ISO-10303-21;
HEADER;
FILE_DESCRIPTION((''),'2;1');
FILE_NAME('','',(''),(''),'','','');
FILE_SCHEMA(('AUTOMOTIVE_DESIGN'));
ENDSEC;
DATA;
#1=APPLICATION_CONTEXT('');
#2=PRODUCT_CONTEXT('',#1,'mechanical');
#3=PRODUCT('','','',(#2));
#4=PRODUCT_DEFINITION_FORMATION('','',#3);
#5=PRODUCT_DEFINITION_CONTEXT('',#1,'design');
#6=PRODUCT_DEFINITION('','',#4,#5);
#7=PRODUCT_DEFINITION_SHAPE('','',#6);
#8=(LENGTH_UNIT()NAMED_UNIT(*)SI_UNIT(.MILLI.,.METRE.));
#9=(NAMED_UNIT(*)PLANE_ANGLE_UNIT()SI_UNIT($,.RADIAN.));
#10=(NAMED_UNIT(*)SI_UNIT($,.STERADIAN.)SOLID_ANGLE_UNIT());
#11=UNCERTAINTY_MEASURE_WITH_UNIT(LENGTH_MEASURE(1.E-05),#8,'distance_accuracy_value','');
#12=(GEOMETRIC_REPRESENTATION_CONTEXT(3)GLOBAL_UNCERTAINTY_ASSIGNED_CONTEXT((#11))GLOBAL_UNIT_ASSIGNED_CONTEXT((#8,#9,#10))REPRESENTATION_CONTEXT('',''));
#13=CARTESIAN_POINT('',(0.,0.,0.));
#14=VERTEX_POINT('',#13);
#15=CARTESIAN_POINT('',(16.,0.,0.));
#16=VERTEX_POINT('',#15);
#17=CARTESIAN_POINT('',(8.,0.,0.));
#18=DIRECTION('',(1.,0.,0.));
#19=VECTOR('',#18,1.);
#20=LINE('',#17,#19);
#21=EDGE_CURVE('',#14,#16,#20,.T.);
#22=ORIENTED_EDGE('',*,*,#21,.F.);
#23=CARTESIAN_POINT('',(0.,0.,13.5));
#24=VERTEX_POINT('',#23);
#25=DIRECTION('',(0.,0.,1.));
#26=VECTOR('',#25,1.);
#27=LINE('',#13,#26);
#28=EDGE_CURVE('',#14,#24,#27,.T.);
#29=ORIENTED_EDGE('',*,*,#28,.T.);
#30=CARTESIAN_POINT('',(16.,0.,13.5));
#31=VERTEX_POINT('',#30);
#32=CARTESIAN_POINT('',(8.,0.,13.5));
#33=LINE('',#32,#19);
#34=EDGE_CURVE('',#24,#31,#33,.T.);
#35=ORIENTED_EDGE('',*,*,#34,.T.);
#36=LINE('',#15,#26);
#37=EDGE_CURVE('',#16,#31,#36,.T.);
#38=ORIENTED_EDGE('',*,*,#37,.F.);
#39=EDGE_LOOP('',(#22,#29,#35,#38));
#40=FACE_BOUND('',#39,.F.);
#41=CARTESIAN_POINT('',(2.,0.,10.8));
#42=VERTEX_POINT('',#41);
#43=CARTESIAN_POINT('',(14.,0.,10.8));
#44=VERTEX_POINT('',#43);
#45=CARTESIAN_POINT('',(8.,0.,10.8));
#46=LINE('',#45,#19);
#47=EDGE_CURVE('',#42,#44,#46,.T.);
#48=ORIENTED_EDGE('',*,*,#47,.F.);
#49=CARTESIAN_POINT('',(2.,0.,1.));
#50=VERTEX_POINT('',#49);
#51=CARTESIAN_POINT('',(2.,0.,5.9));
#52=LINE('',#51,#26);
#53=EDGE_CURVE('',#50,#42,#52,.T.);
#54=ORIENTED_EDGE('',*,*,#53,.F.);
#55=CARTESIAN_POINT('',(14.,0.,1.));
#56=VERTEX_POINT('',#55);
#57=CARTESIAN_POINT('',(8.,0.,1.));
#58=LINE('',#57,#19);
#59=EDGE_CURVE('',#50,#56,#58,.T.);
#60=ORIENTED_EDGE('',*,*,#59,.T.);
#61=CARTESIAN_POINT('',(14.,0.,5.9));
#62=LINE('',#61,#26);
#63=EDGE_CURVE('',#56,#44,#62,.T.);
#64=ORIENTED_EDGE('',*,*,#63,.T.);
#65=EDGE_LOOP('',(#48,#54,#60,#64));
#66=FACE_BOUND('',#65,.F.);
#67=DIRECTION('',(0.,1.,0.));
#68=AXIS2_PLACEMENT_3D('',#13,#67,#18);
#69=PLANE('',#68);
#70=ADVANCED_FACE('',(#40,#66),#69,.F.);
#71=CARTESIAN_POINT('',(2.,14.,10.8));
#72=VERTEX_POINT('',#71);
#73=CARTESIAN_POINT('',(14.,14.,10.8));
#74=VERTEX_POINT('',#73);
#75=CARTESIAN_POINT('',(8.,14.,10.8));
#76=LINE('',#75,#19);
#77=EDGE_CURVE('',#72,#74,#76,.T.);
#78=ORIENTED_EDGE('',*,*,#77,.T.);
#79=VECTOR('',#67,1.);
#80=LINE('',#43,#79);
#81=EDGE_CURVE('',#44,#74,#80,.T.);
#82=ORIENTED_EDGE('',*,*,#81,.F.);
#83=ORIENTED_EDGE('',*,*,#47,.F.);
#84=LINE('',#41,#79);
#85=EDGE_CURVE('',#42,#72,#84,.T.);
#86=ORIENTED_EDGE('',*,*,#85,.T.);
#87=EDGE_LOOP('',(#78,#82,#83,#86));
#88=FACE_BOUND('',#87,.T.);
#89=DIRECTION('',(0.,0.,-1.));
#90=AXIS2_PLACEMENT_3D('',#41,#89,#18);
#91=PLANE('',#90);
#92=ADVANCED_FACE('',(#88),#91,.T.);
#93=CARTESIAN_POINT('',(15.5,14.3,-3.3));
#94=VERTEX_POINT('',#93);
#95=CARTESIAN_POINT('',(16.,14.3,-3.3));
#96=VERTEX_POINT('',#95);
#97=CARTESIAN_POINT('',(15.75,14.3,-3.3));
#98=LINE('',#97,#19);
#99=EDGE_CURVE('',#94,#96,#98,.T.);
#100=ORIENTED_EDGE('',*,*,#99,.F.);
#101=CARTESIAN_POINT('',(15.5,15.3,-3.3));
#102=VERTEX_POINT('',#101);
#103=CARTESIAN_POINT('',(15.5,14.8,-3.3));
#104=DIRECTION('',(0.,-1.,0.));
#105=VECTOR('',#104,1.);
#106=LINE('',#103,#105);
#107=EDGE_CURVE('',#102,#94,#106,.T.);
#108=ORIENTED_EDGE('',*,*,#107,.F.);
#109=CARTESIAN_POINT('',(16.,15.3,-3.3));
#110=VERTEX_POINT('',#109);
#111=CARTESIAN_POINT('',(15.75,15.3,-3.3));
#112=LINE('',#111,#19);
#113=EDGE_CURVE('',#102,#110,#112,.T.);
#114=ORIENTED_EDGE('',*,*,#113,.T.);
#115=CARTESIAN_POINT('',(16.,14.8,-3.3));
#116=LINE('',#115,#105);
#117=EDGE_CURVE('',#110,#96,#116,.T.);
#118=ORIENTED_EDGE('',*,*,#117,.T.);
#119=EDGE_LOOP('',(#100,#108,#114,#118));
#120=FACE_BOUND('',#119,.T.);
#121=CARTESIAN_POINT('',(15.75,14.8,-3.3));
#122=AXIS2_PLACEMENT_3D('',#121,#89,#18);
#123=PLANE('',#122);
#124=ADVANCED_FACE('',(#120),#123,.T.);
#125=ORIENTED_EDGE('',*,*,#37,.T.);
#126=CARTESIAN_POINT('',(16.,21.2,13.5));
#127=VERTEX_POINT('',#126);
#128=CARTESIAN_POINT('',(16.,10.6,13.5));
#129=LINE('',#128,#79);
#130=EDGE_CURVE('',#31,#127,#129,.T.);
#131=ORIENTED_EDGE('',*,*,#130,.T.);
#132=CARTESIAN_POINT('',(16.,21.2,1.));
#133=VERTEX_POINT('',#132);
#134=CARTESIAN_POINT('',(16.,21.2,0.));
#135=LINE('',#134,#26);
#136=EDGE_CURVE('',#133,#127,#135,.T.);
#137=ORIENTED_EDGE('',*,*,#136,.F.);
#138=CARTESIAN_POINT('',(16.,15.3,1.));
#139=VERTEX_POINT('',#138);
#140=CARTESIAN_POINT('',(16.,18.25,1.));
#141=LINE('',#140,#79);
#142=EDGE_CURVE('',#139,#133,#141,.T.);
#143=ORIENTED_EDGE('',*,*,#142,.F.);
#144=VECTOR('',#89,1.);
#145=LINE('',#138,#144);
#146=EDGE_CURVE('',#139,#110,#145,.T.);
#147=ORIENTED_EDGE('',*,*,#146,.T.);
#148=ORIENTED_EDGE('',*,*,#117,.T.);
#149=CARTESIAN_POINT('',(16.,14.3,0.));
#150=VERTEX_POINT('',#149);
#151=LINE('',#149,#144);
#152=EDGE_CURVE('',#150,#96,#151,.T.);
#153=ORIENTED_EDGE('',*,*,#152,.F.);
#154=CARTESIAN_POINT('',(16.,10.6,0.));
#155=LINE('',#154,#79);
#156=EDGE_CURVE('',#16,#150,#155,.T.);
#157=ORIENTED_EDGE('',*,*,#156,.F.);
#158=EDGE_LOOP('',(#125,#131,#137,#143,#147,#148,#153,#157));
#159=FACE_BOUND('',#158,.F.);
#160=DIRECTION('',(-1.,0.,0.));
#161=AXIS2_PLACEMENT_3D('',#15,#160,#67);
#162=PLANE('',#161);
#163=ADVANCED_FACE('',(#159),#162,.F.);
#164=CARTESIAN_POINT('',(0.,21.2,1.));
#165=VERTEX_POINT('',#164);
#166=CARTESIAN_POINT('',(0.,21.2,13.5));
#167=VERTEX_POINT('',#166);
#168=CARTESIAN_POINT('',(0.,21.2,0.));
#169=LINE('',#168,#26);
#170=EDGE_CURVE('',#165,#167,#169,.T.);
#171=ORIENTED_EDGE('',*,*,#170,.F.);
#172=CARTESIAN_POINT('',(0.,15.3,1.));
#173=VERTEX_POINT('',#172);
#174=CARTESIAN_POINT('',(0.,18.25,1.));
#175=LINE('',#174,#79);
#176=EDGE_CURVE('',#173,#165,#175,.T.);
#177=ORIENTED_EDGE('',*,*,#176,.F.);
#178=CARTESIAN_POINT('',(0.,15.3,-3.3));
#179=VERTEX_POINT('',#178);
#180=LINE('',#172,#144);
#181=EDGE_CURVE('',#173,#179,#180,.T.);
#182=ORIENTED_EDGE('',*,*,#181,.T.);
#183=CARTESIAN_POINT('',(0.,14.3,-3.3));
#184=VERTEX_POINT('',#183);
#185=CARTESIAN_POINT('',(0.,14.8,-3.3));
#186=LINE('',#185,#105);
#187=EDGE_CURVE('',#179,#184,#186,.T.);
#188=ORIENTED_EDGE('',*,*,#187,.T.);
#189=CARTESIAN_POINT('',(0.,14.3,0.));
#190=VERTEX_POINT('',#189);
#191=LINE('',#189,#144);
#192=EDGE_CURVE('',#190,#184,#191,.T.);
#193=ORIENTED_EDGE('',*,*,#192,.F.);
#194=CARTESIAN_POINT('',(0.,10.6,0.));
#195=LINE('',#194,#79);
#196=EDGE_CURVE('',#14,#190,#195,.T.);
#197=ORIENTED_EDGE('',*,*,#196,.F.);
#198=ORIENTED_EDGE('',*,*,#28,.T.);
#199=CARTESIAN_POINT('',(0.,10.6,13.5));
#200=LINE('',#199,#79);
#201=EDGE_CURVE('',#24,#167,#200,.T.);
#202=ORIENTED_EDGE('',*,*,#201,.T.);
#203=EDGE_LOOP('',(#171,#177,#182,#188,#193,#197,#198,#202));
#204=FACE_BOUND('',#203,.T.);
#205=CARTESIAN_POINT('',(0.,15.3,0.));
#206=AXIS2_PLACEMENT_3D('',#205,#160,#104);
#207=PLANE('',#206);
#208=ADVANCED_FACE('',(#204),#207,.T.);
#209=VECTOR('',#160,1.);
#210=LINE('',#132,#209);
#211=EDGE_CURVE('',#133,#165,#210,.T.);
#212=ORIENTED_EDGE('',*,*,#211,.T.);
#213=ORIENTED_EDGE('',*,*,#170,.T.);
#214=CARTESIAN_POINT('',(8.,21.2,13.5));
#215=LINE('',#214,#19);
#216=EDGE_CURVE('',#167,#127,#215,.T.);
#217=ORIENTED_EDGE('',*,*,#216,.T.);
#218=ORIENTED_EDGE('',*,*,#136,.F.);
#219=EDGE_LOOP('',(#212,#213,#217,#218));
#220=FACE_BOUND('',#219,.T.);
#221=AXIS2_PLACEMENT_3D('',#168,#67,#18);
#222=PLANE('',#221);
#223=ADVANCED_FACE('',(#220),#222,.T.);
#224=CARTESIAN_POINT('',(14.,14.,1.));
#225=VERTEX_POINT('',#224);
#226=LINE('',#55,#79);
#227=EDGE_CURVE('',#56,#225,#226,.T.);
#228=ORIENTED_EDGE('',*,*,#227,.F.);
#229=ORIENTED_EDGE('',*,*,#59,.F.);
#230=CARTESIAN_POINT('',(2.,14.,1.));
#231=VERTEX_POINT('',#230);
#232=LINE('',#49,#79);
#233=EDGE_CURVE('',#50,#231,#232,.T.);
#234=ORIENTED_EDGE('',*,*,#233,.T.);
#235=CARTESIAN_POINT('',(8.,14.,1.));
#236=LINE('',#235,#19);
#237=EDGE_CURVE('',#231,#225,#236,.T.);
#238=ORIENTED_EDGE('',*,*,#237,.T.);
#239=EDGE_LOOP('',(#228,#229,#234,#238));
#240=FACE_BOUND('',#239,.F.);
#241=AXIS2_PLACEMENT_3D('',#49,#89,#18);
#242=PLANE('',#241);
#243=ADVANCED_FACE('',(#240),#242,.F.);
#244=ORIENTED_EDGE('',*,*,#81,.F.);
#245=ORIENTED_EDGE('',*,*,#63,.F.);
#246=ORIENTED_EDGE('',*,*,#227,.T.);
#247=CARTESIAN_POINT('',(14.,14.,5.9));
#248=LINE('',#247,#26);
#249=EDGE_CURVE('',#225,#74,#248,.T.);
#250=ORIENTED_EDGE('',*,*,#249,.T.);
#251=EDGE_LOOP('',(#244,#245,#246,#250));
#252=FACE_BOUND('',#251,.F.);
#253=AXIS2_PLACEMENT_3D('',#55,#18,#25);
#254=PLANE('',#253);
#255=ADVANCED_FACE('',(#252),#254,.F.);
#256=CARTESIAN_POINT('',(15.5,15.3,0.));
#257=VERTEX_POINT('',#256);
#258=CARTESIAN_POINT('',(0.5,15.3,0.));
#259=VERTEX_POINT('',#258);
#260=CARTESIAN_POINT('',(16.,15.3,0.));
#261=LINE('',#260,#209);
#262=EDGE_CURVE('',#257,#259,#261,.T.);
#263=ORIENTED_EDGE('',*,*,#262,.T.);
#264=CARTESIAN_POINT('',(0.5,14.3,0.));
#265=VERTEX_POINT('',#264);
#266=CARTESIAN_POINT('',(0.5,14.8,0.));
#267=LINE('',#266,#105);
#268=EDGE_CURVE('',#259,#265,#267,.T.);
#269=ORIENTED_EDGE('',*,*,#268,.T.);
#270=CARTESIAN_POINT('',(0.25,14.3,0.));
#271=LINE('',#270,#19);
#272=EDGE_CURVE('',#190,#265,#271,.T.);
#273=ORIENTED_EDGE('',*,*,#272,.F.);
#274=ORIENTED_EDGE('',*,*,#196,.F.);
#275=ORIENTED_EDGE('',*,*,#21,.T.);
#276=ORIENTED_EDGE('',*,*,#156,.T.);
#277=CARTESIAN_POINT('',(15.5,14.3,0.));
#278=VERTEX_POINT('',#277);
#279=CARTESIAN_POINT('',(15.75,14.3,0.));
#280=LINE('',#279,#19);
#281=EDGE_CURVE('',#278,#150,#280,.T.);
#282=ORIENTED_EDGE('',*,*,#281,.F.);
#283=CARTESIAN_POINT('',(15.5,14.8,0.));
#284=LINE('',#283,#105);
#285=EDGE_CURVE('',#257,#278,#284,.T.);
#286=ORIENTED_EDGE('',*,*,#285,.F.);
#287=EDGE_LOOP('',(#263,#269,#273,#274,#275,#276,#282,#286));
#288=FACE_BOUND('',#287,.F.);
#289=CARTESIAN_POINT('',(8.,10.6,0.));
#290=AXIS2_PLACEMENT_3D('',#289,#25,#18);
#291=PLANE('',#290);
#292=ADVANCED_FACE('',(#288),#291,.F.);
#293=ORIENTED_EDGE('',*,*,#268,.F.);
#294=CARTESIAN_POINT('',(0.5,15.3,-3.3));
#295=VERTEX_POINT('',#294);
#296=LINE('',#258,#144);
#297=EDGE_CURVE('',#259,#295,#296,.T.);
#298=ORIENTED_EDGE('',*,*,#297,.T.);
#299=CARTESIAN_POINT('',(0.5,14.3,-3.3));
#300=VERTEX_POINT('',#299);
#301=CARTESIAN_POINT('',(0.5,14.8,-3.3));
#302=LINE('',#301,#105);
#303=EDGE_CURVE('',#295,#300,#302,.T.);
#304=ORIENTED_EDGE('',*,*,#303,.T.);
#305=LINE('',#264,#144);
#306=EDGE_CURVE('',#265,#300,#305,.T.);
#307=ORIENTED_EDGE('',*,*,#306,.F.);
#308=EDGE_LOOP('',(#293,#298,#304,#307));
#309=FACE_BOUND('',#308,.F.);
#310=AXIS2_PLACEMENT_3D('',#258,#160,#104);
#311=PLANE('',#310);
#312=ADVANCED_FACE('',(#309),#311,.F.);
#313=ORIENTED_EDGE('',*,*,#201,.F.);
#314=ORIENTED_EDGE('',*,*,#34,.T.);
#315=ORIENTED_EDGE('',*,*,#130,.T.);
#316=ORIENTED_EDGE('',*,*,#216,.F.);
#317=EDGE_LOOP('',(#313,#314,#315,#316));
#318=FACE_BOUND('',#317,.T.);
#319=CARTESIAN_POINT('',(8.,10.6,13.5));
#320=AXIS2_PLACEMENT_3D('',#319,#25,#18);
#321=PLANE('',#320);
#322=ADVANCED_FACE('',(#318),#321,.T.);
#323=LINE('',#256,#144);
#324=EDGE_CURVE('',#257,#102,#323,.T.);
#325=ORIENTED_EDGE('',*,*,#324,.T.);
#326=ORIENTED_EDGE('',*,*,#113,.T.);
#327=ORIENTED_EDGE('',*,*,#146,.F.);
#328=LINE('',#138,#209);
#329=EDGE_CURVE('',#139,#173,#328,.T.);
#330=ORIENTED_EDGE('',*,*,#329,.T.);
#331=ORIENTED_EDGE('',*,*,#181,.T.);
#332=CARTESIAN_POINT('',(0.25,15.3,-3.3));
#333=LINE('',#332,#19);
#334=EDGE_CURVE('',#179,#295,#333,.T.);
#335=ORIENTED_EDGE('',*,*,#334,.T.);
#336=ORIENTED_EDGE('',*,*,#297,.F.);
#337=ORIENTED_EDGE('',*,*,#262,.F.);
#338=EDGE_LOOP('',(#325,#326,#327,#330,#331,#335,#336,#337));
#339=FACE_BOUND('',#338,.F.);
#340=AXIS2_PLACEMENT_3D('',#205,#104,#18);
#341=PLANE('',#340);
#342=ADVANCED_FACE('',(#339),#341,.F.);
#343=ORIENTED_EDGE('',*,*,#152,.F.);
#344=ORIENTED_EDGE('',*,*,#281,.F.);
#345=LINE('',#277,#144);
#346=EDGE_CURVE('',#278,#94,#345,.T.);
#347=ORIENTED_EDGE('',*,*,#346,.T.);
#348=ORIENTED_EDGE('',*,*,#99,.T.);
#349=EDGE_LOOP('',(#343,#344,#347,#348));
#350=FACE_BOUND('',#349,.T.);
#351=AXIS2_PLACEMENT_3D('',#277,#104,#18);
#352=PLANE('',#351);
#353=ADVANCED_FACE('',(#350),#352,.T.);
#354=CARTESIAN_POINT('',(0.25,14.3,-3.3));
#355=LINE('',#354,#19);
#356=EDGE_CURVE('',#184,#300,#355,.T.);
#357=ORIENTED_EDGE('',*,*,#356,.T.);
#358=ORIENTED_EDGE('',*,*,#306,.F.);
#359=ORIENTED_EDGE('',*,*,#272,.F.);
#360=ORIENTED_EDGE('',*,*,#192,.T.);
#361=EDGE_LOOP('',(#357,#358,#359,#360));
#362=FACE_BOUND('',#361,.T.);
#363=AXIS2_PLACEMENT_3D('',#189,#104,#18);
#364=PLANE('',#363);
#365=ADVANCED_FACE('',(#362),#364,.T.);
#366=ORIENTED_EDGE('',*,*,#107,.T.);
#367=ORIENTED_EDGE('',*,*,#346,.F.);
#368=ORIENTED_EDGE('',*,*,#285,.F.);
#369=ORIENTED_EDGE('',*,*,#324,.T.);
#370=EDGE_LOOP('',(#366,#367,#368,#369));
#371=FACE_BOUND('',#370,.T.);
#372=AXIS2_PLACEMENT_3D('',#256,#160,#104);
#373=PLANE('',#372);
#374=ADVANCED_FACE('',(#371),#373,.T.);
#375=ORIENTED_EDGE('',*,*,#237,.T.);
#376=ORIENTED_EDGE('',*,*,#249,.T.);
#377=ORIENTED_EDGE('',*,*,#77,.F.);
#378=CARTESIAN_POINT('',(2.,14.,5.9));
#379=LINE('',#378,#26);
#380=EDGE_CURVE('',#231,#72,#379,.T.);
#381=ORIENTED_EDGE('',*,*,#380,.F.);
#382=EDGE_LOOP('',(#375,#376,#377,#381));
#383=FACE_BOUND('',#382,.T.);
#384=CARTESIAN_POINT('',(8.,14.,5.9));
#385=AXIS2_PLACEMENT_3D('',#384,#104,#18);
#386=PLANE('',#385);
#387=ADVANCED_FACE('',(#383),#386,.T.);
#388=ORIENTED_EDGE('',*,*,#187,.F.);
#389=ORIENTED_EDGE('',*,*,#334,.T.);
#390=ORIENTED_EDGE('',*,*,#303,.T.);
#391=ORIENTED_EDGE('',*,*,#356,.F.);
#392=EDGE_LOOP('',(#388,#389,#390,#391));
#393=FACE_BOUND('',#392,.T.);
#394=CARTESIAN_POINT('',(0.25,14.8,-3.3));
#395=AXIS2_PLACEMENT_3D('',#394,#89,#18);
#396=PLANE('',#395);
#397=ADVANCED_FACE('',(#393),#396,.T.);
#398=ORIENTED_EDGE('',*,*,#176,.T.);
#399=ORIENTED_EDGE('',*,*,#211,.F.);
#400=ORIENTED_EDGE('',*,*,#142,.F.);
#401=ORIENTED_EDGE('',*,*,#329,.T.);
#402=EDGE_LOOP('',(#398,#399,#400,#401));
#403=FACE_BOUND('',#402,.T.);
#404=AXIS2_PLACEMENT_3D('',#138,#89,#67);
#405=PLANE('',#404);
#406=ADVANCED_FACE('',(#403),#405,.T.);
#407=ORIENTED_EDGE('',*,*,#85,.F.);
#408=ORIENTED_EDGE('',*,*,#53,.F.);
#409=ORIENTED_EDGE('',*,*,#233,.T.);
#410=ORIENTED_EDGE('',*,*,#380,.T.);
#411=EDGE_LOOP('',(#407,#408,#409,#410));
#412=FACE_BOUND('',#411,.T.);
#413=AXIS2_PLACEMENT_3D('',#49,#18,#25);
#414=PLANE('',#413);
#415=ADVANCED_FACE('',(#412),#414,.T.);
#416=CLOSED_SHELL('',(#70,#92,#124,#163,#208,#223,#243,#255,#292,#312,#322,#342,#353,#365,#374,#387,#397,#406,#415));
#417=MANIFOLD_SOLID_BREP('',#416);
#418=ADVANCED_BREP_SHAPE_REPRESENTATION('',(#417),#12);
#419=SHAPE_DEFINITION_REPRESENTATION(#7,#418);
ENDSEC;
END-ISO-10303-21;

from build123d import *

# Parameters (mm, degrees)
F0_W     = 16
F0_H     = 21.2
F1_DEPTH = 13.5
F2_W     = 5.9
F2_H     = 1
F3_DEPTH = 16
F4_W     = 12
F4_H     = 9.8
F5_DEPTH = 14
F6_W     = 0.5
F6_H     = 1
F7_DEPTH = 3.3


with BuildPart() as f1:
    # F0 (on Top) → F1 (new body)
    with BuildSketch(Plane.XY):
        with Locations((8, 10.6)):
            Rectangle(F0_W, F0_H)
    extrude(amount=F1_DEPTH)

    # F2 (on face) → F3 (cut, through all)
    with BuildSketch(Plane.YZ.offset(16)):
        with Locations((18.25, 0.5)):
            Rectangle(F2_W, F2_H)
    extrude(amount=-F3_DEPTH, mode=Mode.SUBTRACT)

    # F4 (on face) → F5 (cut)
    with BuildSketch(Plane.XZ):
        with Locations((8, 5.9)):
            Rectangle(F4_W, F4_H)
    extrude(amount=-F5_DEPTH, mode=Mode.SUBTRACT)

    # F6 (on face) → F7 (join)
    with BuildSketch(Plane(origin=(0, 0, 0), x_dir=(1, 0, 0), z_dir=(0, 0, -1))):
        with Locations((0.25, -14.8)):
            Rectangle(F6_W, F6_H)
        with Locations((15.75, -14.8)):
            Rectangle(F6_W, F6_H)
    extrude(amount=F7_DEPTH)


solid = f1.part
